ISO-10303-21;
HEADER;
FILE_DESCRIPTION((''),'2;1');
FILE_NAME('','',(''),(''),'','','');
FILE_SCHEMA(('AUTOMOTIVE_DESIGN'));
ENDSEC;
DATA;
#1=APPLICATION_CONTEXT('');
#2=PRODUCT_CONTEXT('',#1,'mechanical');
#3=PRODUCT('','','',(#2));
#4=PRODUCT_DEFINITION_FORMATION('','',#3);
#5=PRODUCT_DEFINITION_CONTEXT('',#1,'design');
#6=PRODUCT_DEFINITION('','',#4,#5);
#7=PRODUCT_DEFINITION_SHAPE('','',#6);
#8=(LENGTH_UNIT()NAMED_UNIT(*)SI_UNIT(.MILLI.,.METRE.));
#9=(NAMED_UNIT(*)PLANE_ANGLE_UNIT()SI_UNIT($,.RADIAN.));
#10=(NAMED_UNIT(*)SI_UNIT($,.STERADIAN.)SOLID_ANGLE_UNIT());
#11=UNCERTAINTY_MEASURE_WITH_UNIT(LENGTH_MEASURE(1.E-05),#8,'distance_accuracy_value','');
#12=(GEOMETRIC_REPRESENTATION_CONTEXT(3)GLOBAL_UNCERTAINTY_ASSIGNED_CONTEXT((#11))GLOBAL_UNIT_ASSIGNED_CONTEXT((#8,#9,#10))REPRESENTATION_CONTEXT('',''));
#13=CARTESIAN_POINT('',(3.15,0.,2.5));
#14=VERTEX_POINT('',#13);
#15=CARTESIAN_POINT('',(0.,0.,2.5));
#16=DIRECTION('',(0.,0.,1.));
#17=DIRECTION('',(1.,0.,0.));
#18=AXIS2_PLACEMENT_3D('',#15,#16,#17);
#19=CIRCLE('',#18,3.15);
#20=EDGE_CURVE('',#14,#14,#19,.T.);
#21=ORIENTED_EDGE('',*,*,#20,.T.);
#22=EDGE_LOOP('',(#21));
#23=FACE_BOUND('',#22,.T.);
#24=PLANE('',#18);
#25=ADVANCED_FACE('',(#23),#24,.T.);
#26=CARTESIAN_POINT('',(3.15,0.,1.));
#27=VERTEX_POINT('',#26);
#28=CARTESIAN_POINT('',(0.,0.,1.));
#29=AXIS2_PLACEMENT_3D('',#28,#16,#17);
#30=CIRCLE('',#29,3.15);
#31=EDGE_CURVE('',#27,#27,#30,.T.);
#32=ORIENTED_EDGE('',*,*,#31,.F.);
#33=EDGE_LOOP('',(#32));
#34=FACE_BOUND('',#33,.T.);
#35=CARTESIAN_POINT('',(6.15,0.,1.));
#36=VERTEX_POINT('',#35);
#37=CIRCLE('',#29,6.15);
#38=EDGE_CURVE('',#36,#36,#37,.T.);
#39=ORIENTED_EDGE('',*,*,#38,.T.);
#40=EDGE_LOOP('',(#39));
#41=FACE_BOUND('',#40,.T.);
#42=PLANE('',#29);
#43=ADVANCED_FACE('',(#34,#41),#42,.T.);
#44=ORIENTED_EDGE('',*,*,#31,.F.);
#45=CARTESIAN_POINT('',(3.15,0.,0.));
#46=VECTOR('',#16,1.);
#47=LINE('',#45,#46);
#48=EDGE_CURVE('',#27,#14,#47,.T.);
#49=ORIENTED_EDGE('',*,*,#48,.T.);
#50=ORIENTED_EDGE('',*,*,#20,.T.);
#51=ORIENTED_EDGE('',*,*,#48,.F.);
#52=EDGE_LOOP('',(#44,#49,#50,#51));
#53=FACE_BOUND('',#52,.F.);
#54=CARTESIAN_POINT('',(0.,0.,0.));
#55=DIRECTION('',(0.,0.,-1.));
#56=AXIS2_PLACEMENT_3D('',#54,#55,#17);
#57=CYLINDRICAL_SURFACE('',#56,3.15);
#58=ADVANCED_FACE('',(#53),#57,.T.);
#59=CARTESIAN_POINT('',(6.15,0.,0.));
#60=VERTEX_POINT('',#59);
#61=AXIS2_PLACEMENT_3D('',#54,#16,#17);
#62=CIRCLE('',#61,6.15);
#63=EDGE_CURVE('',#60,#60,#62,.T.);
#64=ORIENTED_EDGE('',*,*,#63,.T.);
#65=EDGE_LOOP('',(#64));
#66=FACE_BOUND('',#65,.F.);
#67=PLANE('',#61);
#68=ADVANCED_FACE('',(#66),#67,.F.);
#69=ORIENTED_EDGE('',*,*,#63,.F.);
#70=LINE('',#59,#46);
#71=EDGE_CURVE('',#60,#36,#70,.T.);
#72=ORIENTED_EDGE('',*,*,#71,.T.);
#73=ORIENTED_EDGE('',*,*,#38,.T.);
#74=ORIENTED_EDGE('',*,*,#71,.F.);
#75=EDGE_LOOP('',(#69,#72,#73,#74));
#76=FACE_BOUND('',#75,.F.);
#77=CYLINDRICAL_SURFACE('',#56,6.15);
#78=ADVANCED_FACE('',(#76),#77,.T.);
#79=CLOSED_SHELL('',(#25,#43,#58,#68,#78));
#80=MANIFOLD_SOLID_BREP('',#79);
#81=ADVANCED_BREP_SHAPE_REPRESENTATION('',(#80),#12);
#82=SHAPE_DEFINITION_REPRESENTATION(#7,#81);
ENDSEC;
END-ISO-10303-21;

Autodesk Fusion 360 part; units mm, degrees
sketch "Sketch1" plane through (0, 0, 0) normal (0, 0, 1) x (1, 0, 0)
  circle A0 centre (0, 0) radius 3.15
  circle A1 centre (0, 0) radius 6.15
  dimension "d1" = 6.3
  dimension "d3" = 3
extrude "Extrude1" add sketch "Sketch1" along normal blind 1
extrude "Extrude2" add sketch "Sketch1" along normal up to surface (2.5 mm away) contours A0
